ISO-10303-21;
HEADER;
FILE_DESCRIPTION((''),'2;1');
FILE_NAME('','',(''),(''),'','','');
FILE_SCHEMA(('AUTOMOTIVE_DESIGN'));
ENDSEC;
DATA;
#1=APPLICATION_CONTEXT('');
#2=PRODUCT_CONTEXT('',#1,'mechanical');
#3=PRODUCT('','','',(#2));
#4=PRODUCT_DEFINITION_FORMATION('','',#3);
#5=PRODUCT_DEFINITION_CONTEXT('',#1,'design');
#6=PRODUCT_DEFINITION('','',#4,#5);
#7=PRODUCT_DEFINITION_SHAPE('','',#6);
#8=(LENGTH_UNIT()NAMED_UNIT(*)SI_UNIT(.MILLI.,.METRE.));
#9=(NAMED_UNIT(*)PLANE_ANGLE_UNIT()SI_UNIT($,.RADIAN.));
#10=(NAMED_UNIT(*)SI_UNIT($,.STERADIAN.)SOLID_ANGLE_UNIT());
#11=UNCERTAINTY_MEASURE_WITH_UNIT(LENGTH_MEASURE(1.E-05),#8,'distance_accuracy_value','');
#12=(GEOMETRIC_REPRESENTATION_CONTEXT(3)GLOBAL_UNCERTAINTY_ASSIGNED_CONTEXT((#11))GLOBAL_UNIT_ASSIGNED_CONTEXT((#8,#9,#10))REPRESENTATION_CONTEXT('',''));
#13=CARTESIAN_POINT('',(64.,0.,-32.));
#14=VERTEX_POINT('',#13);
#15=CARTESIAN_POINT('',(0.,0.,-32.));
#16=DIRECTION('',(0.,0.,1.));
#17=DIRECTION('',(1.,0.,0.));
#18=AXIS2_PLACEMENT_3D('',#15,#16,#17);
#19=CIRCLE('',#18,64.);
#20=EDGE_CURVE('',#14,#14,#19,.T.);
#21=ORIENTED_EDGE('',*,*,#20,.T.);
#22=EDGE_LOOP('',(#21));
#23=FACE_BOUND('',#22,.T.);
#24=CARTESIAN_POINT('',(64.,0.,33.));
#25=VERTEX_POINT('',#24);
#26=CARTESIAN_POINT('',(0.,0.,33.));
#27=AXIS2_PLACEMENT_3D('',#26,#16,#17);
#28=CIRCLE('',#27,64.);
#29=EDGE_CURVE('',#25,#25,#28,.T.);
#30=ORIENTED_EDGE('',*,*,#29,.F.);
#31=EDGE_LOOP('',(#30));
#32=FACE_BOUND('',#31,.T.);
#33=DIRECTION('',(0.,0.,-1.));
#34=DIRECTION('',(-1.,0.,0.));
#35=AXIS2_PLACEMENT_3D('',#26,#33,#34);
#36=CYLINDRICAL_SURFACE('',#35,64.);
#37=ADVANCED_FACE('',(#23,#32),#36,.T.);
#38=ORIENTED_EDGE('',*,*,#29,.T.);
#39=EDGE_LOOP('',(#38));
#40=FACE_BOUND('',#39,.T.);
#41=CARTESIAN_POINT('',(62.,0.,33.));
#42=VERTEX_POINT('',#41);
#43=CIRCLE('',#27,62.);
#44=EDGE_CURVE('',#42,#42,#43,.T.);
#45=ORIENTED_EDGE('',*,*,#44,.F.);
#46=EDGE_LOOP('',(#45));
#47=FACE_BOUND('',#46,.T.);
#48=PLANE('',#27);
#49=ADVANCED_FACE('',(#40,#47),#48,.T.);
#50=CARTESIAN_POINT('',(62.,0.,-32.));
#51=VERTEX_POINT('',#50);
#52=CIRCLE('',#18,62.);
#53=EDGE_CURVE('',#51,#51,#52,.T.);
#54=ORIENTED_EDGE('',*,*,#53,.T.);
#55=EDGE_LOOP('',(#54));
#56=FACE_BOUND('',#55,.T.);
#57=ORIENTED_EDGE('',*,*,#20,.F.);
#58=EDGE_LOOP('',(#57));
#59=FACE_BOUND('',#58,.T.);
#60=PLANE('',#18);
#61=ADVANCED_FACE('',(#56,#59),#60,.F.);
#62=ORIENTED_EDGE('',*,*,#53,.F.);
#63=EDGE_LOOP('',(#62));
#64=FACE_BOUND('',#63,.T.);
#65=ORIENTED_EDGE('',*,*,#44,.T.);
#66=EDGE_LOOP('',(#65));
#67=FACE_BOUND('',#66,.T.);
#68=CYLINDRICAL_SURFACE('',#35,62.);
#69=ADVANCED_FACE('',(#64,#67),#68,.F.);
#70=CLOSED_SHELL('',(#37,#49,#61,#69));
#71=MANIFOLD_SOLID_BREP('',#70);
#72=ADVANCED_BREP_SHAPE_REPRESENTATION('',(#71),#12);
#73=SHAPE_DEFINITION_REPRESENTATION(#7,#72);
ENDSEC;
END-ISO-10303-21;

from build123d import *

# Parameters (mm, degrees)
PRINTED_FIXED_CASE_START = -32
SKETCH_1_R               = 64
SKETCH_1_R_2             = 62
PRINTED_FIXED_CASE_DEPTH = 65


with BuildPart() as part:
    # Эскиз1 → Printed_fixed_case (new body)
    with BuildSketch(Plane.XY.offset(PRINTED_FIXED_CASE_START)):
        Circle(SKETCH_1_R)
        Circle(SKETCH_1_R_2, mode=Mode.SUBTRACT)
    extrude(amount=PRINTED_FIXED_CASE_DEPTH)


solid = part.part
